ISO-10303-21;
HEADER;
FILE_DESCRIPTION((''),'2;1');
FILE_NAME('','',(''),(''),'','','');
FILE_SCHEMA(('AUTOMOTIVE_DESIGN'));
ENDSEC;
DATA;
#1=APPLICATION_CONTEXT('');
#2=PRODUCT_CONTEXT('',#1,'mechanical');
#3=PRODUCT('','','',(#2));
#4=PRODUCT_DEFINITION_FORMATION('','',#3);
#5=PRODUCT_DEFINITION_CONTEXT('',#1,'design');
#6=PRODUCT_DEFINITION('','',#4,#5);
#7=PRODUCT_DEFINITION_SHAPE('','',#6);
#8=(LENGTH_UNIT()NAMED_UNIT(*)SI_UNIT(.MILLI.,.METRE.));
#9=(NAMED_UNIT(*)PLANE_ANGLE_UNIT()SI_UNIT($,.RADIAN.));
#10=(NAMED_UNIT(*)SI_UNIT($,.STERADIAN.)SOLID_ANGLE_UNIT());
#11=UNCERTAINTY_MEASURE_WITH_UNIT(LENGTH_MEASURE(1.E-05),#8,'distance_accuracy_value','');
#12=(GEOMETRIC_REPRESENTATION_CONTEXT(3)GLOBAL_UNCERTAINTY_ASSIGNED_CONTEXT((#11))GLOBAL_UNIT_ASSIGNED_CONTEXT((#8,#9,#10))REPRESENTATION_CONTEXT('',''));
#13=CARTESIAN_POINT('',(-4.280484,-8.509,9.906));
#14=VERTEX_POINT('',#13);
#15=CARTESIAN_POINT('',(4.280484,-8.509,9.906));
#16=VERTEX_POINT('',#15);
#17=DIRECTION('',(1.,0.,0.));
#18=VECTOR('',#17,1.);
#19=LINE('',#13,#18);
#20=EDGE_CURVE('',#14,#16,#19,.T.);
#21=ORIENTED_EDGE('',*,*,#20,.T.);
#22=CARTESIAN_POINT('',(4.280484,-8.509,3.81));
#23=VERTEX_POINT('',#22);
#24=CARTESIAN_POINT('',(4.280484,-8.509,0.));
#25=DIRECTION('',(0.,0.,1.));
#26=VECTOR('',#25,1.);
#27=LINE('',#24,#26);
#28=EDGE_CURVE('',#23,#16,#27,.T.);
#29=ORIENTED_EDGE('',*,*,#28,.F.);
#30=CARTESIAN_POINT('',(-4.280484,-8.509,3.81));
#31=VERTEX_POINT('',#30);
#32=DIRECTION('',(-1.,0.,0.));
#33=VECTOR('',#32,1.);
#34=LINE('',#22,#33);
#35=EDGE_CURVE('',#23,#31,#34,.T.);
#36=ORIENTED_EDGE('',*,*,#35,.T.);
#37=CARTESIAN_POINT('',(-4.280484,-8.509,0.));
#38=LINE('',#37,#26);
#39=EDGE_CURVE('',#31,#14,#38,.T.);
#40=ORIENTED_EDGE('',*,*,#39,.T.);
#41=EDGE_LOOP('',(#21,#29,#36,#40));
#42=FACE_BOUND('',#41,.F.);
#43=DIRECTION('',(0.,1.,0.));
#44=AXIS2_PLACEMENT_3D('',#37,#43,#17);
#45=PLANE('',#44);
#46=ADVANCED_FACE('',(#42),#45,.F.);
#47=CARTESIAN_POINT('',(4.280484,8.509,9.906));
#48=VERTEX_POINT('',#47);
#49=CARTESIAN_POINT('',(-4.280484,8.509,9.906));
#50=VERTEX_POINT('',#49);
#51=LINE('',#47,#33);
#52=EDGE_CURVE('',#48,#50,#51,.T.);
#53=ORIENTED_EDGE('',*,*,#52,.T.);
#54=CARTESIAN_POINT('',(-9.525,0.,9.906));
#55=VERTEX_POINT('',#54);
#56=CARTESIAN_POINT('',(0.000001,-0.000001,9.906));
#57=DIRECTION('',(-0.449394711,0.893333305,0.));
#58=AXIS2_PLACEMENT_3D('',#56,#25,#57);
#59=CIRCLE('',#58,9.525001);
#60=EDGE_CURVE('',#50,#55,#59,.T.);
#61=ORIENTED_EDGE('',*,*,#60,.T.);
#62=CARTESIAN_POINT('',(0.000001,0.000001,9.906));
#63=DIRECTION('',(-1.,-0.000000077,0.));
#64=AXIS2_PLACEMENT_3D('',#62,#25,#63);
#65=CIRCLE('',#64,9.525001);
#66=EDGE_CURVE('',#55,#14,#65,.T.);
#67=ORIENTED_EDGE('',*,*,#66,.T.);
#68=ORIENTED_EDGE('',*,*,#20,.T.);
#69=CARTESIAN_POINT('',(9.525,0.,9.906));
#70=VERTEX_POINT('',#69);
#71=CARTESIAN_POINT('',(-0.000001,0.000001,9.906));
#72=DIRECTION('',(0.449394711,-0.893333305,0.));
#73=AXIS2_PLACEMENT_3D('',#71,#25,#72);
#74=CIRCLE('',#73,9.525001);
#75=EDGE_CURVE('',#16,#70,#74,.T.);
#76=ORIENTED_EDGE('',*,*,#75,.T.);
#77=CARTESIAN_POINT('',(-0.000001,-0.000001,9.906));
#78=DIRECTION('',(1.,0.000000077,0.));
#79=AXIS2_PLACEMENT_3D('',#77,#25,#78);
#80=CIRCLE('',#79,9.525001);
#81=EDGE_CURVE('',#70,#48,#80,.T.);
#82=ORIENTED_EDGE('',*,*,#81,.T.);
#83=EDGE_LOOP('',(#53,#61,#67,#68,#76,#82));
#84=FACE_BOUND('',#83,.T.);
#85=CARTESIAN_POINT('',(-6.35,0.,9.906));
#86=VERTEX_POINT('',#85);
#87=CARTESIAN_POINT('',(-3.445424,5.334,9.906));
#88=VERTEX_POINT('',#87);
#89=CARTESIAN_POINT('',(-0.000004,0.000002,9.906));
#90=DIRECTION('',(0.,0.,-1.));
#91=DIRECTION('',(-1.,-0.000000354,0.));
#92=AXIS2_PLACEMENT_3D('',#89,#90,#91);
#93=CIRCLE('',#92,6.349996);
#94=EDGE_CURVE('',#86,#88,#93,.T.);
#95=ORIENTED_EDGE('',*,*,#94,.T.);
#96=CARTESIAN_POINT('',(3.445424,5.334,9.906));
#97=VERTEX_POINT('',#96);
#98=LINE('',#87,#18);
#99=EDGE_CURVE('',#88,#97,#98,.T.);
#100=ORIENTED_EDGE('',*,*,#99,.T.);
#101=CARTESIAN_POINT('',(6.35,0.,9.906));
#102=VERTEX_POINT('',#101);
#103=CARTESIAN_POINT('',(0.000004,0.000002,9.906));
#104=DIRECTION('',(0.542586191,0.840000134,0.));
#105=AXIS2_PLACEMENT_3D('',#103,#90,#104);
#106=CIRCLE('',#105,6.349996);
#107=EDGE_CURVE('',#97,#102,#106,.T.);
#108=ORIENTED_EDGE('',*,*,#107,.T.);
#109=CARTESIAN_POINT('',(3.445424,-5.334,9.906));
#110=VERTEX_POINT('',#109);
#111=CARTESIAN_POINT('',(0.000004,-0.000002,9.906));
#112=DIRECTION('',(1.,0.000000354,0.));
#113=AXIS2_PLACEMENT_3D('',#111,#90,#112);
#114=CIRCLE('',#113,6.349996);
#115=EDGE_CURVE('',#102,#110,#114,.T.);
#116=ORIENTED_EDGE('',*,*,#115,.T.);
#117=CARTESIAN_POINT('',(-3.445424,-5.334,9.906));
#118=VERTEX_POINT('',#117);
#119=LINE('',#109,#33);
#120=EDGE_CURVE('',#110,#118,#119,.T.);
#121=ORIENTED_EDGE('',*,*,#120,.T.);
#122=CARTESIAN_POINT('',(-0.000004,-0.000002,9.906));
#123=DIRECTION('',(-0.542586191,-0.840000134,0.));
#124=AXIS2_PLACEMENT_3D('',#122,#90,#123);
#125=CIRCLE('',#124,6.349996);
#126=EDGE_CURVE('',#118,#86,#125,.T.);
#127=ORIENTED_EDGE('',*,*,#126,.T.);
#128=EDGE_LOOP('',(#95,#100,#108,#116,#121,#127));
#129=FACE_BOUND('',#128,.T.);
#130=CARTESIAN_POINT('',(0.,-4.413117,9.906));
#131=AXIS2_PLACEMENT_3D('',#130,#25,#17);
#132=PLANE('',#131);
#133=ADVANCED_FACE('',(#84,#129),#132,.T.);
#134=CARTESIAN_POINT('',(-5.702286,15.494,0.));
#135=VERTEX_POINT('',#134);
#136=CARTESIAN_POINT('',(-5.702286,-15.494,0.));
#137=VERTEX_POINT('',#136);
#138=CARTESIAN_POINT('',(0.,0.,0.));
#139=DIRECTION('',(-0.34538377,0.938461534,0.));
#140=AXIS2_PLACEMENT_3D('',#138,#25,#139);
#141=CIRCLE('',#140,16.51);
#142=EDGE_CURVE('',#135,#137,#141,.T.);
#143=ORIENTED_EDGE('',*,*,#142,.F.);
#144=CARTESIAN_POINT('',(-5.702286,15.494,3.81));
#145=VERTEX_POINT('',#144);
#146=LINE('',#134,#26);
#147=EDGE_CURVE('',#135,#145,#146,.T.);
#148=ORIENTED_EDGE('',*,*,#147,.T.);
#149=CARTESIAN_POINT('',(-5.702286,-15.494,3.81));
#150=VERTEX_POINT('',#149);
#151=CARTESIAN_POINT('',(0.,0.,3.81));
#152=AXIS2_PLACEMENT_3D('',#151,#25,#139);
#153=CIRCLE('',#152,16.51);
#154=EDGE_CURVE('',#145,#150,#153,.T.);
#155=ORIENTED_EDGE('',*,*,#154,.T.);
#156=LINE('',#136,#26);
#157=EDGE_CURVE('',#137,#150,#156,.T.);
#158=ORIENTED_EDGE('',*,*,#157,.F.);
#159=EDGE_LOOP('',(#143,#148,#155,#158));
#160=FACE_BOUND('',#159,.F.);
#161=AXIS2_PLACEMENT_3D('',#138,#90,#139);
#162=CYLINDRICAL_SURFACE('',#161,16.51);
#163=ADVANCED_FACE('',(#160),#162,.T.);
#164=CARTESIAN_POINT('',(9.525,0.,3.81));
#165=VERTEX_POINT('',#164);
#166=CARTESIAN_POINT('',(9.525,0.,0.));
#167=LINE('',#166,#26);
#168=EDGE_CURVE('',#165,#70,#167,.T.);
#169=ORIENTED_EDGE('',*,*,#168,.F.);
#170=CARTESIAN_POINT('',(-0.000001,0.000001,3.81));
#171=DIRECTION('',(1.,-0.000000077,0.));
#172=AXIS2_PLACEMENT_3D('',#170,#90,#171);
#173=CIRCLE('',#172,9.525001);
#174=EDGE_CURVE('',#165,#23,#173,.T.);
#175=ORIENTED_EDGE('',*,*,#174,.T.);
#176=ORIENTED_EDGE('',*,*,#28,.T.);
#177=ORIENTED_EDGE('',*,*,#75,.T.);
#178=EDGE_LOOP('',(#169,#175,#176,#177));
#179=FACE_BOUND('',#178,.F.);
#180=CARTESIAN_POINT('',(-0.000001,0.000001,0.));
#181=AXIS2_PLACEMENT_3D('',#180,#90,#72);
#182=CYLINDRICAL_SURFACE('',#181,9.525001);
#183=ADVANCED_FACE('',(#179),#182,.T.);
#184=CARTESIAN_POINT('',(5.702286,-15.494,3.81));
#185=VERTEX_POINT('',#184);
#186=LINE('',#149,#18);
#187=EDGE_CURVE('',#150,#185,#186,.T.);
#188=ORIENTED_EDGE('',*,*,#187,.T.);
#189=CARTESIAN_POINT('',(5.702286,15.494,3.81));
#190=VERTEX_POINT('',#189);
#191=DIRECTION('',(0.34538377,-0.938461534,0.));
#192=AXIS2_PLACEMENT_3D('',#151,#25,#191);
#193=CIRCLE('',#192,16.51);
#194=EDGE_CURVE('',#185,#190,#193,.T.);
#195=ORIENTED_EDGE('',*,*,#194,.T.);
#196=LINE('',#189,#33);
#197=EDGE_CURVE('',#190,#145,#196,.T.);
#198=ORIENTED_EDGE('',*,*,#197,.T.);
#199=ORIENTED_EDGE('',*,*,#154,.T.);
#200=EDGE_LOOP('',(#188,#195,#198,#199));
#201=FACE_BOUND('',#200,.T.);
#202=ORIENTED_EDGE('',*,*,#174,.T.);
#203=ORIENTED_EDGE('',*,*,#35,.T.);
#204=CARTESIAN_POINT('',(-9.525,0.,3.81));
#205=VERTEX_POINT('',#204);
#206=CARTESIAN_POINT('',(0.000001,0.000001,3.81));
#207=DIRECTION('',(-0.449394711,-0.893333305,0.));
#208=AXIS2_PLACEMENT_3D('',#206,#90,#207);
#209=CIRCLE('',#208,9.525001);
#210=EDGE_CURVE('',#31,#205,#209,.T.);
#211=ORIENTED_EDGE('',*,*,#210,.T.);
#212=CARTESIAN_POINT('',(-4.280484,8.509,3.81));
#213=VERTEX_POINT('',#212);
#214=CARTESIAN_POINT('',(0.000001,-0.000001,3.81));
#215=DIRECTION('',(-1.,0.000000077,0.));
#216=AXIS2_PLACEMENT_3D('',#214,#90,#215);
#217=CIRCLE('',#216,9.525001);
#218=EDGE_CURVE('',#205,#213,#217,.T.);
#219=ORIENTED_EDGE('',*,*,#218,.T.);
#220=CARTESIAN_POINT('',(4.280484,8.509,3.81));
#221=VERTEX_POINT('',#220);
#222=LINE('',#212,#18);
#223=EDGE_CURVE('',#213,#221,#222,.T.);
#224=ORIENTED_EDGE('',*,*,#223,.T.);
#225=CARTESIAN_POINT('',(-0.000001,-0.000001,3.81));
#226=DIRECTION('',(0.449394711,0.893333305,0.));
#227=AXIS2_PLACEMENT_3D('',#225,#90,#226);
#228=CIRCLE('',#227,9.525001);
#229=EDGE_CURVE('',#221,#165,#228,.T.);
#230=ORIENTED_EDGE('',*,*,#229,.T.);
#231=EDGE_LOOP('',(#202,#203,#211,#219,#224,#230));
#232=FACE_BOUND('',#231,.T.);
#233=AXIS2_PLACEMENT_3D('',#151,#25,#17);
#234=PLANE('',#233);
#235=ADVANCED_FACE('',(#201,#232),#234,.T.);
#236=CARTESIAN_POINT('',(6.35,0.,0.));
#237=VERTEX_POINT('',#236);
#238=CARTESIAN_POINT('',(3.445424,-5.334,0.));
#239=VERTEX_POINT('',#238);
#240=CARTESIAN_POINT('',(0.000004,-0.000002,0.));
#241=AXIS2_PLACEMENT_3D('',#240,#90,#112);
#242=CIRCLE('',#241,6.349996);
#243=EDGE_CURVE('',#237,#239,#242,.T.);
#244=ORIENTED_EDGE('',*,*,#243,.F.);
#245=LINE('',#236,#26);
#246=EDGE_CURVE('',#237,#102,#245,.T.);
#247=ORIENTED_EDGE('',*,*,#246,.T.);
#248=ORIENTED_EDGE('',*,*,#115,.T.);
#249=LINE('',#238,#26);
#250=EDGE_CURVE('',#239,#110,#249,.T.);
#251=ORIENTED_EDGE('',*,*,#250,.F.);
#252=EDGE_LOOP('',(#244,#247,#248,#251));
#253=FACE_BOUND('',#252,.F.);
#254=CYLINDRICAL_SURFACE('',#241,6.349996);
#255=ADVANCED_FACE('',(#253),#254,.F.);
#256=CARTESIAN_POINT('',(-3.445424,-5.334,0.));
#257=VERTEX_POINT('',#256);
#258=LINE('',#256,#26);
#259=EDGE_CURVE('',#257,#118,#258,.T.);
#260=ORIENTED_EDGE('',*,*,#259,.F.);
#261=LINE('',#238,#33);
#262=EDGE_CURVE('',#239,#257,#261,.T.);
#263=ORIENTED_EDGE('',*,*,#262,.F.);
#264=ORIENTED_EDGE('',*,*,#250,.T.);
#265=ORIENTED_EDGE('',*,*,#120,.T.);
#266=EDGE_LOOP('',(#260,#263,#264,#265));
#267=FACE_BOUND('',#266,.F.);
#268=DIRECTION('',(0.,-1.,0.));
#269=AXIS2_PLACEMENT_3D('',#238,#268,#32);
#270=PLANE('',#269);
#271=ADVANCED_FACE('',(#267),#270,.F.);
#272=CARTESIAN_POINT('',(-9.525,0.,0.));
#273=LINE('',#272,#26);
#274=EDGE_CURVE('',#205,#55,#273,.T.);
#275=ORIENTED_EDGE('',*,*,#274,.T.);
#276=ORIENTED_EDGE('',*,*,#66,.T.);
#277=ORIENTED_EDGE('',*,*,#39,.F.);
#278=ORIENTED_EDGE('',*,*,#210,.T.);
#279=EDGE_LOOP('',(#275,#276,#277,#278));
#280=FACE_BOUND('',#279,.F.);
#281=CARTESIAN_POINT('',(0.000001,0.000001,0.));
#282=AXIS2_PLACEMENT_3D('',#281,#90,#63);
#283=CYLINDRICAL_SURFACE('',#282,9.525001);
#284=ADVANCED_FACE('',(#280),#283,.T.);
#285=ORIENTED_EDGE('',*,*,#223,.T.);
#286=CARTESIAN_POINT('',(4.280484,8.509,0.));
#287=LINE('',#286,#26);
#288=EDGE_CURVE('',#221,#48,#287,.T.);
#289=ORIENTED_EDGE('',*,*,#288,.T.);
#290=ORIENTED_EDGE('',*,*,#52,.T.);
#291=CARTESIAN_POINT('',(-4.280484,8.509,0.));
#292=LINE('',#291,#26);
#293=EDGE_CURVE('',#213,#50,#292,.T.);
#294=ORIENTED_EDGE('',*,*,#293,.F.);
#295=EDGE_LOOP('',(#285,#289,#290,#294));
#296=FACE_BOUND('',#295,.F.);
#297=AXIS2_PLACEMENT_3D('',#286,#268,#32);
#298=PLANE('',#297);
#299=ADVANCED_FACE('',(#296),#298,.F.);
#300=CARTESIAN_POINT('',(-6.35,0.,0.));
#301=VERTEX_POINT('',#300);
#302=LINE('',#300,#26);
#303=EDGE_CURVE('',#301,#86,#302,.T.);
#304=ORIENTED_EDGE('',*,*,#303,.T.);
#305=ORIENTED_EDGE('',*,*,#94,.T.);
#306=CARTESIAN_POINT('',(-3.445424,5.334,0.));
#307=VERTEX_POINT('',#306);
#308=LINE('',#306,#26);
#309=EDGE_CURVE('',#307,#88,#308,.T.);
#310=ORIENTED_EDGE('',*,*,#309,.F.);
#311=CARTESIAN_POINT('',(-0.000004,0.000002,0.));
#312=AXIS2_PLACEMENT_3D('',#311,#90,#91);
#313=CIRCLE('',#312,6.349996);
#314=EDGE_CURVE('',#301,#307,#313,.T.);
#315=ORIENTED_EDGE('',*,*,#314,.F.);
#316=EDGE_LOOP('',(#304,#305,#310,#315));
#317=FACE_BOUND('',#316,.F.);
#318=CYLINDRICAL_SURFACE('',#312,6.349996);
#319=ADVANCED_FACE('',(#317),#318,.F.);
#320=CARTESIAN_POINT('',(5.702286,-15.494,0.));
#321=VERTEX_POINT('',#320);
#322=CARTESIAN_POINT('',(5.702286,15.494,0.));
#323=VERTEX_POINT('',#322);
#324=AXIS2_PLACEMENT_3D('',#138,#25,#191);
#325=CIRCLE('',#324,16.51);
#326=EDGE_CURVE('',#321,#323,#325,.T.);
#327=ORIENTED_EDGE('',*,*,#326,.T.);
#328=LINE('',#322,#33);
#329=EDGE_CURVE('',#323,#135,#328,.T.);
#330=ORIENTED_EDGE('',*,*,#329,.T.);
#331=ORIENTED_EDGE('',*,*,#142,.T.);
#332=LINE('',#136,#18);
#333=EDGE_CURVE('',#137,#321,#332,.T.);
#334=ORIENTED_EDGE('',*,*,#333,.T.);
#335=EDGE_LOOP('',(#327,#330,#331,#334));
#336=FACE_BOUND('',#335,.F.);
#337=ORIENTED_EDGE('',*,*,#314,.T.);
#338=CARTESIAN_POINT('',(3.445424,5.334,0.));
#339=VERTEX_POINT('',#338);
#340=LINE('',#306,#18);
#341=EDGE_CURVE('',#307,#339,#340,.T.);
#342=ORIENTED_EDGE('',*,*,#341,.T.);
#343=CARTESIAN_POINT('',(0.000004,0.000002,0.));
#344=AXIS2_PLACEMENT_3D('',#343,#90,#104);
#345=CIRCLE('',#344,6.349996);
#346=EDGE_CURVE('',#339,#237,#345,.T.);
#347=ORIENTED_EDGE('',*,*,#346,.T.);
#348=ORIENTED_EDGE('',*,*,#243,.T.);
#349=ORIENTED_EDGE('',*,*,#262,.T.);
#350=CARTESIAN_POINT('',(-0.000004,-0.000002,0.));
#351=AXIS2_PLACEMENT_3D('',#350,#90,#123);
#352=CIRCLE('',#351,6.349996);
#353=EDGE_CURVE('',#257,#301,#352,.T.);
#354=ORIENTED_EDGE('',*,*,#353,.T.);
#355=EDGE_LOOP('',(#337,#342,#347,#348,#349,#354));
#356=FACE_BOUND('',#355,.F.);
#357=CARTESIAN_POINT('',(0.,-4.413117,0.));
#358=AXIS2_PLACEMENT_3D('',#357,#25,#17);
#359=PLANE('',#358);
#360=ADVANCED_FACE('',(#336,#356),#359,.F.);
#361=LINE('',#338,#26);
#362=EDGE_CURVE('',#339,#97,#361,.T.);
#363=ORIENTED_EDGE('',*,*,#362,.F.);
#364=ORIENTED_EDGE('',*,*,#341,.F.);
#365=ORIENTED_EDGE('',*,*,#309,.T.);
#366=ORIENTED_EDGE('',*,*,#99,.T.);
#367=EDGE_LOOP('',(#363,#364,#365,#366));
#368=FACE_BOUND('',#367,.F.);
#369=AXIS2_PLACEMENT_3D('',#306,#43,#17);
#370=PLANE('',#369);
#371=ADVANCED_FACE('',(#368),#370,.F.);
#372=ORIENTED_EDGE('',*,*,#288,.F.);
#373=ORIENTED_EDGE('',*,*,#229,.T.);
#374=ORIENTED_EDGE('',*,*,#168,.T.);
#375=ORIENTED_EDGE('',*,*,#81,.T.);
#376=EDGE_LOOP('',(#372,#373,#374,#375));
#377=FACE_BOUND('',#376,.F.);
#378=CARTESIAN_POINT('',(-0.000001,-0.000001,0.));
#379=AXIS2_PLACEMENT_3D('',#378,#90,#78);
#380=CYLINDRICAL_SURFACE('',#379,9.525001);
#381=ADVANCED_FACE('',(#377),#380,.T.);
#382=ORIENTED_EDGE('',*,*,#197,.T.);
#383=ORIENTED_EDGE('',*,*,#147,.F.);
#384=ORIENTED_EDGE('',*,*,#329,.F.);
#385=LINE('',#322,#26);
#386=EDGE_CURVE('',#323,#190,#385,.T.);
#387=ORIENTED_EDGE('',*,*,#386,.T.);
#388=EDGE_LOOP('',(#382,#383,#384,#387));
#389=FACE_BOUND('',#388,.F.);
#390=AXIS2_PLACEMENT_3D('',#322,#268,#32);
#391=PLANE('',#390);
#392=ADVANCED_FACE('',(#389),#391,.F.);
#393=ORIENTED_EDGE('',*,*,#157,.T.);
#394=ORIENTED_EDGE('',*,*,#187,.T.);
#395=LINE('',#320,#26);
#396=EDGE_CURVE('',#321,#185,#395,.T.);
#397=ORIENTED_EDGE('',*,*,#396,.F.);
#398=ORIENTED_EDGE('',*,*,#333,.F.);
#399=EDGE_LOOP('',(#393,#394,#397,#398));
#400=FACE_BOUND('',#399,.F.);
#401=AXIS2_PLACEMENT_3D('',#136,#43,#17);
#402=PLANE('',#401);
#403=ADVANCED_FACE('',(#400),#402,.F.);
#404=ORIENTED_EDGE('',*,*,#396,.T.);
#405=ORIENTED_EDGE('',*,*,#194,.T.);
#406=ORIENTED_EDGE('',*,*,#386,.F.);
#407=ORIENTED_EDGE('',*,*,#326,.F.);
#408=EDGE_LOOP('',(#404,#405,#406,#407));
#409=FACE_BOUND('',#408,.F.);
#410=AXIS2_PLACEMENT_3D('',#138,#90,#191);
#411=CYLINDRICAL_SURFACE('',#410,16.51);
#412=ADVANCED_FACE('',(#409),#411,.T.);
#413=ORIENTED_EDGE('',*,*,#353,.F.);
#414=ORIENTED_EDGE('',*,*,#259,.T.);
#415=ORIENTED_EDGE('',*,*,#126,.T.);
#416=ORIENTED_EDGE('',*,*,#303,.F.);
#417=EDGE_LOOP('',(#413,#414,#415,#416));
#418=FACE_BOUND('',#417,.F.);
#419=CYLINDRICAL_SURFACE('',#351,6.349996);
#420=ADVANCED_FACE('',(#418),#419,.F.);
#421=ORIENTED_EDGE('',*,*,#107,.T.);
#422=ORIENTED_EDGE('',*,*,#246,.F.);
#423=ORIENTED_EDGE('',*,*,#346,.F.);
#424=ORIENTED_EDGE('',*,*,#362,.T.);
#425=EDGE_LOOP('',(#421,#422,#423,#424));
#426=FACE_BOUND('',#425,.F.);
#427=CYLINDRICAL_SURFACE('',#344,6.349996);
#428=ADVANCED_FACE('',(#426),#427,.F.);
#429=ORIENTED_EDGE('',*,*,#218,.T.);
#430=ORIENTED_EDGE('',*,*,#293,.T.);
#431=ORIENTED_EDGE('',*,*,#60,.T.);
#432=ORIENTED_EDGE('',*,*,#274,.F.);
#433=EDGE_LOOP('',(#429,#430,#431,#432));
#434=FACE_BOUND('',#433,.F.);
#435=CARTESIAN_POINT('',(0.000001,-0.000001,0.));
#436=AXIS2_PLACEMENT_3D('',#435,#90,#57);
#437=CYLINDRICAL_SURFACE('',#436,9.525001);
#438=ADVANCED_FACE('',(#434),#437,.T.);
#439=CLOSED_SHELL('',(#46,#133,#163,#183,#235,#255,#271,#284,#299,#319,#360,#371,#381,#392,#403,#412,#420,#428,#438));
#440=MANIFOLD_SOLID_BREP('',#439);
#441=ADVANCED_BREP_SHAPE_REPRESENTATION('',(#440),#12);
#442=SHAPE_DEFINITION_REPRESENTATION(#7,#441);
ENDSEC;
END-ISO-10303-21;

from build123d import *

# Parameters (mm, degrees)
F1_DEPTH = 3.81
F2_DEPTH = 9.906


with BuildPart() as f1:
    # F0 (on Top) → F1 (new body)
    with BuildSketch(Plane.XY):
        with BuildLine():
            Line((5.702286, 15.494), (-5.702286, 15.494))
            ThreePointArc((-5.702286, 15.494), (-16.51, 0), (-5.702286, -15.494))
            Line((-5.702286, -15.494), (5.702286, -15.494))
            ThreePointArc((5.702286, -15.494), (16.51, 0), (5.702286, 15.494))
        make_face()
        with BuildLine():
            ThreePointArc((-4.280484, -8.509), (-8.108552, -4.9977), (-9.525, 0))
            ThreePointArc((-9.525, 0), (-8.108552, 4.9977), (-4.280484, 8.509))
            Line((-4.280484, 8.509), (4.280484, 8.509))
            ThreePointArc((4.280484, 8.509), (8.108552, 4.9977), (9.525, 0))
            ThreePointArc((9.525, 0), (8.108552, -4.9977), (4.280484, -8.509))
            Line((4.280484, -8.509), (-4.280484, -8.509))
        make_face(mode=Mode.SUBTRACT)
    extrude(amount=F1_DEPTH)

    # F0 (on Top) → F2 (join)
    with BuildSketch(Plane.XY):
        with BuildLine():
            ThreePointArc((-3.445424, -5.334), (-5.57678, -3.03678), (-6.35, 0))
            Line((-6.35, 0), (-9.525, 0))
            ThreePointArc((-9.525, 0), (-8.108552, -4.9977), (-4.280484, -8.509))
            Line((-4.280484, -8.509), (4.280484, -8.509))
            ThreePointArc((4.280484, -8.509), (8.108552, -4.9977), (9.525, 0))
            Line((9.525, 0), (6.35, 0))
            ThreePointArc((6.35, 0), (5.57678, -3.03678), (3.445424, -5.334))
            Line((3.445424, -5.334), (-3.445424, -5.334))
        make_face()
        with BuildLine():
            ThreePointArc((-6.35, 0), (-5.57678, 3.03678), (-3.445424, 5.334))
            Line((-3.445424, 5.334), (3.445424, 5.334))
            ThreePointArc((3.445424, 5.334), (5.57678, 3.03678), (6.35, 0))
            Line((6.35, 0), (9.525, 0))
            ThreePointArc((9.525, 0), (8.108552, 4.9977), (4.280484, 8.509))
            Line((4.280484, 8.509), (-4.280484, 8.509))
            ThreePointArc((-4.280484, 8.509), (-8.108552, 4.9977), (-9.525, 0))
            Line((-9.525, 0), (-6.35, 0))
        make_face()
    extrude(amount=F2_DEPTH)


solid = f1.part
